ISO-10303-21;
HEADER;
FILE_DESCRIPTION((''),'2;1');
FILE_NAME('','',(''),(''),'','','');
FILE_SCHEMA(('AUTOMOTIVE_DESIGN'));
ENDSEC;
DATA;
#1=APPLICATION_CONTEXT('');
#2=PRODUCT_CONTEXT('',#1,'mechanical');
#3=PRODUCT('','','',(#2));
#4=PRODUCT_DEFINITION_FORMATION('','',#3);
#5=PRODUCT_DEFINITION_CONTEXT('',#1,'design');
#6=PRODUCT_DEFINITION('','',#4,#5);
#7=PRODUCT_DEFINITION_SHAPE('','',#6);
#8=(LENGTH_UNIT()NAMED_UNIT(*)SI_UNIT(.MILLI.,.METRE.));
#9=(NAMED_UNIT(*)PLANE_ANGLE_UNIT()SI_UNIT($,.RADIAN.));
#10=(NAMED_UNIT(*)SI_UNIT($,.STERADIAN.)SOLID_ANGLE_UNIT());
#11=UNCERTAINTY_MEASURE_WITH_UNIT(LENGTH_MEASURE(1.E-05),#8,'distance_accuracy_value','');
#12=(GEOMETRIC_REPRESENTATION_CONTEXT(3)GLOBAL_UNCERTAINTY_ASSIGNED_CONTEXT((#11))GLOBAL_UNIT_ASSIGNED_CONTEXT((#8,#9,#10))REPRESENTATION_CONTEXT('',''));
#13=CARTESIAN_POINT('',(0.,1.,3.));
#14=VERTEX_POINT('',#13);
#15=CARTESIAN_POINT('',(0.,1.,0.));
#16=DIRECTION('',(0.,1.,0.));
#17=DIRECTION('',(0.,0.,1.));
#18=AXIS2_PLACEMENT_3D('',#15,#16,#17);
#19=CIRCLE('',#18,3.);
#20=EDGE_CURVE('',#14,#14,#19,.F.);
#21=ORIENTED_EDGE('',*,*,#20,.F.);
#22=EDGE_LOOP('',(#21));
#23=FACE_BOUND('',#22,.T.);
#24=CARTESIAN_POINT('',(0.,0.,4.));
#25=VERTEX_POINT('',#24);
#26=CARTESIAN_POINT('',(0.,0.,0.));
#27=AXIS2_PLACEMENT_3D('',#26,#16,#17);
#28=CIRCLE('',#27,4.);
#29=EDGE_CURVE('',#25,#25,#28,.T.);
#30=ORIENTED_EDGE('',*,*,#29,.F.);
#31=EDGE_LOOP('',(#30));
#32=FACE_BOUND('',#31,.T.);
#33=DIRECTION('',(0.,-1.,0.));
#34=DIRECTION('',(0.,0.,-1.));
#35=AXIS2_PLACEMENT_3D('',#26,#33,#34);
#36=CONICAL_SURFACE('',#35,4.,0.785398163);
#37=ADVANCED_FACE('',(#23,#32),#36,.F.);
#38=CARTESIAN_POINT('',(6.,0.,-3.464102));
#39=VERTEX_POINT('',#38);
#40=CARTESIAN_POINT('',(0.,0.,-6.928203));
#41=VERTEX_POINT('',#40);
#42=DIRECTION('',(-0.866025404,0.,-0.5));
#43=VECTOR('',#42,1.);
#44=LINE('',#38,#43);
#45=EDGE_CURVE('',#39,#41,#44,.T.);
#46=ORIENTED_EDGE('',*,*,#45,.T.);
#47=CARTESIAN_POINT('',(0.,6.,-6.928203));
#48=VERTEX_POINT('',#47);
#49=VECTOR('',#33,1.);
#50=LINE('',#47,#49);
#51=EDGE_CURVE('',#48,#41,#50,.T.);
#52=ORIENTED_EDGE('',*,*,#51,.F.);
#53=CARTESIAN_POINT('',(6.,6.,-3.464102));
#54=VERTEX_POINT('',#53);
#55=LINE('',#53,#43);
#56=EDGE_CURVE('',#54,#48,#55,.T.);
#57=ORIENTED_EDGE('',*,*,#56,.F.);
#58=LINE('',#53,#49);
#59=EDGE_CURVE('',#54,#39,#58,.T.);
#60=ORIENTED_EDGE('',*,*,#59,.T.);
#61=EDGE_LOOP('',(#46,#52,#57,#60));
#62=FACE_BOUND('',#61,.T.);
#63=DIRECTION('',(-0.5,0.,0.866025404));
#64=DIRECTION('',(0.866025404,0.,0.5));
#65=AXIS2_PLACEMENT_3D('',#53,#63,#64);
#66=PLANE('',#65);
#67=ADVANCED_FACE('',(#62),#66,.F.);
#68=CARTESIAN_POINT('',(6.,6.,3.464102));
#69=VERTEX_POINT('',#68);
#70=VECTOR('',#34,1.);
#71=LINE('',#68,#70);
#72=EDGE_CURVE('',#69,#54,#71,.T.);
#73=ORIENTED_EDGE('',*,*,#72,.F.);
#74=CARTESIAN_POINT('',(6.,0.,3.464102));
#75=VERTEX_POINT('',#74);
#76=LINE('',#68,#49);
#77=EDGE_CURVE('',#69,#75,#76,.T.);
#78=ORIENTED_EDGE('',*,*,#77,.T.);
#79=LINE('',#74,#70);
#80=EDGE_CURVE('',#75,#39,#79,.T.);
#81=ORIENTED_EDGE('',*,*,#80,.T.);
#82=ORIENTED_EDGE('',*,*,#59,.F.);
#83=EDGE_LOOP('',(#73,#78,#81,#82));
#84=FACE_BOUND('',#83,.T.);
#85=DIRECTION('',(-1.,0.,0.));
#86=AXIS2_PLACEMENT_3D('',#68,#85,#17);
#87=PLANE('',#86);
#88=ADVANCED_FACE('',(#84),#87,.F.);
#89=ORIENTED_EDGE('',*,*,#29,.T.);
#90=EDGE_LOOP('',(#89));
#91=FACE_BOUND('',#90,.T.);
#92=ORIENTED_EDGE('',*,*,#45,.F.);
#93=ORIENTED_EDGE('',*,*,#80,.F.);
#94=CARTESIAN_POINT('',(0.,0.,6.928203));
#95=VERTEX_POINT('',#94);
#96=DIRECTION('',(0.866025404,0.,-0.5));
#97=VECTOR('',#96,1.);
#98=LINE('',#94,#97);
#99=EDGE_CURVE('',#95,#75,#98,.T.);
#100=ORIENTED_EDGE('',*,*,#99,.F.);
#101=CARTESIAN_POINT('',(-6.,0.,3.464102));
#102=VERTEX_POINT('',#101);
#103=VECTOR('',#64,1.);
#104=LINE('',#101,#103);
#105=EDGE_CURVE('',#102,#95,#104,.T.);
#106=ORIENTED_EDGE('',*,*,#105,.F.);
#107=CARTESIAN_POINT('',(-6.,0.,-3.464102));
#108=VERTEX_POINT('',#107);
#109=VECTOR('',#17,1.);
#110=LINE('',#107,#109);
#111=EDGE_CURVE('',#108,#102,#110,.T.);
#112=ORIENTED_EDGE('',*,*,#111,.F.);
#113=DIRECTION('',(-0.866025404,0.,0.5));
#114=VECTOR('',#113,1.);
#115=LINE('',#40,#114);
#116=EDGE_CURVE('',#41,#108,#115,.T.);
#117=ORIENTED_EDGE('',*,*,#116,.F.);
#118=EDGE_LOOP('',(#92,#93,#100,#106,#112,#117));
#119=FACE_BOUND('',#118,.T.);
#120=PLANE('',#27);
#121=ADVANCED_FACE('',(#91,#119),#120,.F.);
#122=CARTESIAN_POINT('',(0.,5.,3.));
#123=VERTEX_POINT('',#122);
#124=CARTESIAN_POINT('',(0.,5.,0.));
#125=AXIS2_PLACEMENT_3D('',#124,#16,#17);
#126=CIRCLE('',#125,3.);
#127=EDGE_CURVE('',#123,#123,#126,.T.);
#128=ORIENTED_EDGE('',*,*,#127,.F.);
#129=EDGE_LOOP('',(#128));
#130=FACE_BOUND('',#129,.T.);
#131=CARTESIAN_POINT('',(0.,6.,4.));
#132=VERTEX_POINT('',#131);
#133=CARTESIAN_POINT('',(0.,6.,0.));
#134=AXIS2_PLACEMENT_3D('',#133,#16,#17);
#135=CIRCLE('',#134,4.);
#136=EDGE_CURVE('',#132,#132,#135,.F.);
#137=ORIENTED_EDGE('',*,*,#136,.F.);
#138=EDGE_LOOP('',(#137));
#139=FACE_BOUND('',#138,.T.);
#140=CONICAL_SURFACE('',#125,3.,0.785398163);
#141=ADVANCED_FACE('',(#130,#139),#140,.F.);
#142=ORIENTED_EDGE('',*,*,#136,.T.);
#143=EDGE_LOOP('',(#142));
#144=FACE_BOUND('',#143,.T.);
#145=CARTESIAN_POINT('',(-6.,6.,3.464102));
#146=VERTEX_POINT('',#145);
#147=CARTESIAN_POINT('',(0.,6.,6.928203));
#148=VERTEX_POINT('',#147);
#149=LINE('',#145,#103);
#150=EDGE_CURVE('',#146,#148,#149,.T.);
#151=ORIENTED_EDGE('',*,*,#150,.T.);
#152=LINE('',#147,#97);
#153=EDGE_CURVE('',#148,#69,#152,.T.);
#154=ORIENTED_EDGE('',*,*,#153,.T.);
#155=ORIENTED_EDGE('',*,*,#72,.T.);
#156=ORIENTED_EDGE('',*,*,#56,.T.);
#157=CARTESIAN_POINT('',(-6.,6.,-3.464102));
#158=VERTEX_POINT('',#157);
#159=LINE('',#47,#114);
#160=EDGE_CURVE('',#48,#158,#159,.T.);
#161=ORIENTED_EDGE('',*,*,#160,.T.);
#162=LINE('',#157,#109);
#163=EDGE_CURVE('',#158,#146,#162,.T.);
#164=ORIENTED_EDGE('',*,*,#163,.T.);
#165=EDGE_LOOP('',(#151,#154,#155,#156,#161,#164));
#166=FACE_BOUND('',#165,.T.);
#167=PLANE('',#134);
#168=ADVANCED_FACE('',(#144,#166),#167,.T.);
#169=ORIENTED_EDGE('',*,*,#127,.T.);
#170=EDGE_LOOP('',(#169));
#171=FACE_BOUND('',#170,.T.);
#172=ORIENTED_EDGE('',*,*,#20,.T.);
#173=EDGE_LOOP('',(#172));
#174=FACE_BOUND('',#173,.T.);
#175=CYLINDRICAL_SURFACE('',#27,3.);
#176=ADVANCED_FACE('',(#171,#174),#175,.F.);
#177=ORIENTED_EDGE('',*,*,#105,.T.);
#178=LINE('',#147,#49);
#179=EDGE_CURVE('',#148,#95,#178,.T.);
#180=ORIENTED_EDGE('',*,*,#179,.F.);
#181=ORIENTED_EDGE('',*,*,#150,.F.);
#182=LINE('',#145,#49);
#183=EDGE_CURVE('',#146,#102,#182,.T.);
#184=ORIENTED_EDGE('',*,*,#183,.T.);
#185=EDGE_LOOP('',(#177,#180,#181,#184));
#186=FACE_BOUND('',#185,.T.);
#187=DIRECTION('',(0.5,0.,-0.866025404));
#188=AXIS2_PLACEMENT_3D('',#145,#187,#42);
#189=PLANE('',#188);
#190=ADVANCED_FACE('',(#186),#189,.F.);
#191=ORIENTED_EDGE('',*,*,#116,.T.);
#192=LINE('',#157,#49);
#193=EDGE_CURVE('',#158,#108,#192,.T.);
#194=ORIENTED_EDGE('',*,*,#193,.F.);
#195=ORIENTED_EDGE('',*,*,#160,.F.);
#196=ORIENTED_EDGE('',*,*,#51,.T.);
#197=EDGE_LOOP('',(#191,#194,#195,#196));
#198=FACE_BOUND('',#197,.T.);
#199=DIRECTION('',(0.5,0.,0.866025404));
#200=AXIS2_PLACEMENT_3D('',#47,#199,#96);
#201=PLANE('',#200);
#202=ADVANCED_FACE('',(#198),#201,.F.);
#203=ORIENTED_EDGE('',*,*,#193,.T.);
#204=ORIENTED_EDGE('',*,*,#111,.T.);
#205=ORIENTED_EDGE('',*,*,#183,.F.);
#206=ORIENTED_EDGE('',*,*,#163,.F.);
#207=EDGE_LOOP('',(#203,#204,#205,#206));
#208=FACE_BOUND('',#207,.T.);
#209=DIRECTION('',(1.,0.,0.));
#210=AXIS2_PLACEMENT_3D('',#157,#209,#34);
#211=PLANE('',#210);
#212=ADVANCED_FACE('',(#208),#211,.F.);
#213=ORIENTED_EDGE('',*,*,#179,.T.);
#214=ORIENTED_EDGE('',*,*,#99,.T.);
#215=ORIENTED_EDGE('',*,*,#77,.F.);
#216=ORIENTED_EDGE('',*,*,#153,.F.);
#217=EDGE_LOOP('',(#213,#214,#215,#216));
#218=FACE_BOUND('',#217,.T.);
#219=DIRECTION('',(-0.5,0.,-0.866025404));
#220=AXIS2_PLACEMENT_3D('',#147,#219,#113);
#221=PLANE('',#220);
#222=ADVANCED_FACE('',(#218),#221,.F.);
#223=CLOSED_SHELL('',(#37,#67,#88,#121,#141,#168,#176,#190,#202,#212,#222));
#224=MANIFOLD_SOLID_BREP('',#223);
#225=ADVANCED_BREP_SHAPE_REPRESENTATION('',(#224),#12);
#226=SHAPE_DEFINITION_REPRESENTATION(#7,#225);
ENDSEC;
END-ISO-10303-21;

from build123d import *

# Parameters (mm, degrees)
BOSS_EXTRUDE1_DEPTH = 6
SKETCH2_R           = 3
CUT_EXTRUDE1_DEPTH  = 6
CHAMFER2_SIZE       = 1


with BuildPart() as part:
    # Sketch1 → Boss-Extrude1 (new body)
    with BuildSketch(Plane(origin=(0, 0, 0), x_dir=(1, 0, 0), z_dir=(0, 1, 0))):
        Polygon((0, 6.92820323), (-6, 3.464101615), (-6, -3.464101615), (0, -6.92820323), (6, -3.464101615), (6, 3.464101615), align=None)
    extrude(amount=BOSS_EXTRUDE1_DEPTH)

    # Sketch2 → Cut-Extrude1 (cut)
    with BuildSketch(Plane(origin=(0, 6, 0), x_dir=(1, 0, 0), z_dir=(0, 1, 0))):
        Circle(SKETCH2_R)
    extrude(amount=-CUT_EXTRUDE1_DEPTH, mode=Mode.SUBTRACT)

    # Chamfer2
    chamfer2_edges = [part.edges().sort_by_distance(p)[0] for p in [
        (-3, 0, 0),
        (-3, 6, 0),
    ]]
    chamfer(chamfer2_edges, length=CHAMFER2_SIZE)


solid = part.part
